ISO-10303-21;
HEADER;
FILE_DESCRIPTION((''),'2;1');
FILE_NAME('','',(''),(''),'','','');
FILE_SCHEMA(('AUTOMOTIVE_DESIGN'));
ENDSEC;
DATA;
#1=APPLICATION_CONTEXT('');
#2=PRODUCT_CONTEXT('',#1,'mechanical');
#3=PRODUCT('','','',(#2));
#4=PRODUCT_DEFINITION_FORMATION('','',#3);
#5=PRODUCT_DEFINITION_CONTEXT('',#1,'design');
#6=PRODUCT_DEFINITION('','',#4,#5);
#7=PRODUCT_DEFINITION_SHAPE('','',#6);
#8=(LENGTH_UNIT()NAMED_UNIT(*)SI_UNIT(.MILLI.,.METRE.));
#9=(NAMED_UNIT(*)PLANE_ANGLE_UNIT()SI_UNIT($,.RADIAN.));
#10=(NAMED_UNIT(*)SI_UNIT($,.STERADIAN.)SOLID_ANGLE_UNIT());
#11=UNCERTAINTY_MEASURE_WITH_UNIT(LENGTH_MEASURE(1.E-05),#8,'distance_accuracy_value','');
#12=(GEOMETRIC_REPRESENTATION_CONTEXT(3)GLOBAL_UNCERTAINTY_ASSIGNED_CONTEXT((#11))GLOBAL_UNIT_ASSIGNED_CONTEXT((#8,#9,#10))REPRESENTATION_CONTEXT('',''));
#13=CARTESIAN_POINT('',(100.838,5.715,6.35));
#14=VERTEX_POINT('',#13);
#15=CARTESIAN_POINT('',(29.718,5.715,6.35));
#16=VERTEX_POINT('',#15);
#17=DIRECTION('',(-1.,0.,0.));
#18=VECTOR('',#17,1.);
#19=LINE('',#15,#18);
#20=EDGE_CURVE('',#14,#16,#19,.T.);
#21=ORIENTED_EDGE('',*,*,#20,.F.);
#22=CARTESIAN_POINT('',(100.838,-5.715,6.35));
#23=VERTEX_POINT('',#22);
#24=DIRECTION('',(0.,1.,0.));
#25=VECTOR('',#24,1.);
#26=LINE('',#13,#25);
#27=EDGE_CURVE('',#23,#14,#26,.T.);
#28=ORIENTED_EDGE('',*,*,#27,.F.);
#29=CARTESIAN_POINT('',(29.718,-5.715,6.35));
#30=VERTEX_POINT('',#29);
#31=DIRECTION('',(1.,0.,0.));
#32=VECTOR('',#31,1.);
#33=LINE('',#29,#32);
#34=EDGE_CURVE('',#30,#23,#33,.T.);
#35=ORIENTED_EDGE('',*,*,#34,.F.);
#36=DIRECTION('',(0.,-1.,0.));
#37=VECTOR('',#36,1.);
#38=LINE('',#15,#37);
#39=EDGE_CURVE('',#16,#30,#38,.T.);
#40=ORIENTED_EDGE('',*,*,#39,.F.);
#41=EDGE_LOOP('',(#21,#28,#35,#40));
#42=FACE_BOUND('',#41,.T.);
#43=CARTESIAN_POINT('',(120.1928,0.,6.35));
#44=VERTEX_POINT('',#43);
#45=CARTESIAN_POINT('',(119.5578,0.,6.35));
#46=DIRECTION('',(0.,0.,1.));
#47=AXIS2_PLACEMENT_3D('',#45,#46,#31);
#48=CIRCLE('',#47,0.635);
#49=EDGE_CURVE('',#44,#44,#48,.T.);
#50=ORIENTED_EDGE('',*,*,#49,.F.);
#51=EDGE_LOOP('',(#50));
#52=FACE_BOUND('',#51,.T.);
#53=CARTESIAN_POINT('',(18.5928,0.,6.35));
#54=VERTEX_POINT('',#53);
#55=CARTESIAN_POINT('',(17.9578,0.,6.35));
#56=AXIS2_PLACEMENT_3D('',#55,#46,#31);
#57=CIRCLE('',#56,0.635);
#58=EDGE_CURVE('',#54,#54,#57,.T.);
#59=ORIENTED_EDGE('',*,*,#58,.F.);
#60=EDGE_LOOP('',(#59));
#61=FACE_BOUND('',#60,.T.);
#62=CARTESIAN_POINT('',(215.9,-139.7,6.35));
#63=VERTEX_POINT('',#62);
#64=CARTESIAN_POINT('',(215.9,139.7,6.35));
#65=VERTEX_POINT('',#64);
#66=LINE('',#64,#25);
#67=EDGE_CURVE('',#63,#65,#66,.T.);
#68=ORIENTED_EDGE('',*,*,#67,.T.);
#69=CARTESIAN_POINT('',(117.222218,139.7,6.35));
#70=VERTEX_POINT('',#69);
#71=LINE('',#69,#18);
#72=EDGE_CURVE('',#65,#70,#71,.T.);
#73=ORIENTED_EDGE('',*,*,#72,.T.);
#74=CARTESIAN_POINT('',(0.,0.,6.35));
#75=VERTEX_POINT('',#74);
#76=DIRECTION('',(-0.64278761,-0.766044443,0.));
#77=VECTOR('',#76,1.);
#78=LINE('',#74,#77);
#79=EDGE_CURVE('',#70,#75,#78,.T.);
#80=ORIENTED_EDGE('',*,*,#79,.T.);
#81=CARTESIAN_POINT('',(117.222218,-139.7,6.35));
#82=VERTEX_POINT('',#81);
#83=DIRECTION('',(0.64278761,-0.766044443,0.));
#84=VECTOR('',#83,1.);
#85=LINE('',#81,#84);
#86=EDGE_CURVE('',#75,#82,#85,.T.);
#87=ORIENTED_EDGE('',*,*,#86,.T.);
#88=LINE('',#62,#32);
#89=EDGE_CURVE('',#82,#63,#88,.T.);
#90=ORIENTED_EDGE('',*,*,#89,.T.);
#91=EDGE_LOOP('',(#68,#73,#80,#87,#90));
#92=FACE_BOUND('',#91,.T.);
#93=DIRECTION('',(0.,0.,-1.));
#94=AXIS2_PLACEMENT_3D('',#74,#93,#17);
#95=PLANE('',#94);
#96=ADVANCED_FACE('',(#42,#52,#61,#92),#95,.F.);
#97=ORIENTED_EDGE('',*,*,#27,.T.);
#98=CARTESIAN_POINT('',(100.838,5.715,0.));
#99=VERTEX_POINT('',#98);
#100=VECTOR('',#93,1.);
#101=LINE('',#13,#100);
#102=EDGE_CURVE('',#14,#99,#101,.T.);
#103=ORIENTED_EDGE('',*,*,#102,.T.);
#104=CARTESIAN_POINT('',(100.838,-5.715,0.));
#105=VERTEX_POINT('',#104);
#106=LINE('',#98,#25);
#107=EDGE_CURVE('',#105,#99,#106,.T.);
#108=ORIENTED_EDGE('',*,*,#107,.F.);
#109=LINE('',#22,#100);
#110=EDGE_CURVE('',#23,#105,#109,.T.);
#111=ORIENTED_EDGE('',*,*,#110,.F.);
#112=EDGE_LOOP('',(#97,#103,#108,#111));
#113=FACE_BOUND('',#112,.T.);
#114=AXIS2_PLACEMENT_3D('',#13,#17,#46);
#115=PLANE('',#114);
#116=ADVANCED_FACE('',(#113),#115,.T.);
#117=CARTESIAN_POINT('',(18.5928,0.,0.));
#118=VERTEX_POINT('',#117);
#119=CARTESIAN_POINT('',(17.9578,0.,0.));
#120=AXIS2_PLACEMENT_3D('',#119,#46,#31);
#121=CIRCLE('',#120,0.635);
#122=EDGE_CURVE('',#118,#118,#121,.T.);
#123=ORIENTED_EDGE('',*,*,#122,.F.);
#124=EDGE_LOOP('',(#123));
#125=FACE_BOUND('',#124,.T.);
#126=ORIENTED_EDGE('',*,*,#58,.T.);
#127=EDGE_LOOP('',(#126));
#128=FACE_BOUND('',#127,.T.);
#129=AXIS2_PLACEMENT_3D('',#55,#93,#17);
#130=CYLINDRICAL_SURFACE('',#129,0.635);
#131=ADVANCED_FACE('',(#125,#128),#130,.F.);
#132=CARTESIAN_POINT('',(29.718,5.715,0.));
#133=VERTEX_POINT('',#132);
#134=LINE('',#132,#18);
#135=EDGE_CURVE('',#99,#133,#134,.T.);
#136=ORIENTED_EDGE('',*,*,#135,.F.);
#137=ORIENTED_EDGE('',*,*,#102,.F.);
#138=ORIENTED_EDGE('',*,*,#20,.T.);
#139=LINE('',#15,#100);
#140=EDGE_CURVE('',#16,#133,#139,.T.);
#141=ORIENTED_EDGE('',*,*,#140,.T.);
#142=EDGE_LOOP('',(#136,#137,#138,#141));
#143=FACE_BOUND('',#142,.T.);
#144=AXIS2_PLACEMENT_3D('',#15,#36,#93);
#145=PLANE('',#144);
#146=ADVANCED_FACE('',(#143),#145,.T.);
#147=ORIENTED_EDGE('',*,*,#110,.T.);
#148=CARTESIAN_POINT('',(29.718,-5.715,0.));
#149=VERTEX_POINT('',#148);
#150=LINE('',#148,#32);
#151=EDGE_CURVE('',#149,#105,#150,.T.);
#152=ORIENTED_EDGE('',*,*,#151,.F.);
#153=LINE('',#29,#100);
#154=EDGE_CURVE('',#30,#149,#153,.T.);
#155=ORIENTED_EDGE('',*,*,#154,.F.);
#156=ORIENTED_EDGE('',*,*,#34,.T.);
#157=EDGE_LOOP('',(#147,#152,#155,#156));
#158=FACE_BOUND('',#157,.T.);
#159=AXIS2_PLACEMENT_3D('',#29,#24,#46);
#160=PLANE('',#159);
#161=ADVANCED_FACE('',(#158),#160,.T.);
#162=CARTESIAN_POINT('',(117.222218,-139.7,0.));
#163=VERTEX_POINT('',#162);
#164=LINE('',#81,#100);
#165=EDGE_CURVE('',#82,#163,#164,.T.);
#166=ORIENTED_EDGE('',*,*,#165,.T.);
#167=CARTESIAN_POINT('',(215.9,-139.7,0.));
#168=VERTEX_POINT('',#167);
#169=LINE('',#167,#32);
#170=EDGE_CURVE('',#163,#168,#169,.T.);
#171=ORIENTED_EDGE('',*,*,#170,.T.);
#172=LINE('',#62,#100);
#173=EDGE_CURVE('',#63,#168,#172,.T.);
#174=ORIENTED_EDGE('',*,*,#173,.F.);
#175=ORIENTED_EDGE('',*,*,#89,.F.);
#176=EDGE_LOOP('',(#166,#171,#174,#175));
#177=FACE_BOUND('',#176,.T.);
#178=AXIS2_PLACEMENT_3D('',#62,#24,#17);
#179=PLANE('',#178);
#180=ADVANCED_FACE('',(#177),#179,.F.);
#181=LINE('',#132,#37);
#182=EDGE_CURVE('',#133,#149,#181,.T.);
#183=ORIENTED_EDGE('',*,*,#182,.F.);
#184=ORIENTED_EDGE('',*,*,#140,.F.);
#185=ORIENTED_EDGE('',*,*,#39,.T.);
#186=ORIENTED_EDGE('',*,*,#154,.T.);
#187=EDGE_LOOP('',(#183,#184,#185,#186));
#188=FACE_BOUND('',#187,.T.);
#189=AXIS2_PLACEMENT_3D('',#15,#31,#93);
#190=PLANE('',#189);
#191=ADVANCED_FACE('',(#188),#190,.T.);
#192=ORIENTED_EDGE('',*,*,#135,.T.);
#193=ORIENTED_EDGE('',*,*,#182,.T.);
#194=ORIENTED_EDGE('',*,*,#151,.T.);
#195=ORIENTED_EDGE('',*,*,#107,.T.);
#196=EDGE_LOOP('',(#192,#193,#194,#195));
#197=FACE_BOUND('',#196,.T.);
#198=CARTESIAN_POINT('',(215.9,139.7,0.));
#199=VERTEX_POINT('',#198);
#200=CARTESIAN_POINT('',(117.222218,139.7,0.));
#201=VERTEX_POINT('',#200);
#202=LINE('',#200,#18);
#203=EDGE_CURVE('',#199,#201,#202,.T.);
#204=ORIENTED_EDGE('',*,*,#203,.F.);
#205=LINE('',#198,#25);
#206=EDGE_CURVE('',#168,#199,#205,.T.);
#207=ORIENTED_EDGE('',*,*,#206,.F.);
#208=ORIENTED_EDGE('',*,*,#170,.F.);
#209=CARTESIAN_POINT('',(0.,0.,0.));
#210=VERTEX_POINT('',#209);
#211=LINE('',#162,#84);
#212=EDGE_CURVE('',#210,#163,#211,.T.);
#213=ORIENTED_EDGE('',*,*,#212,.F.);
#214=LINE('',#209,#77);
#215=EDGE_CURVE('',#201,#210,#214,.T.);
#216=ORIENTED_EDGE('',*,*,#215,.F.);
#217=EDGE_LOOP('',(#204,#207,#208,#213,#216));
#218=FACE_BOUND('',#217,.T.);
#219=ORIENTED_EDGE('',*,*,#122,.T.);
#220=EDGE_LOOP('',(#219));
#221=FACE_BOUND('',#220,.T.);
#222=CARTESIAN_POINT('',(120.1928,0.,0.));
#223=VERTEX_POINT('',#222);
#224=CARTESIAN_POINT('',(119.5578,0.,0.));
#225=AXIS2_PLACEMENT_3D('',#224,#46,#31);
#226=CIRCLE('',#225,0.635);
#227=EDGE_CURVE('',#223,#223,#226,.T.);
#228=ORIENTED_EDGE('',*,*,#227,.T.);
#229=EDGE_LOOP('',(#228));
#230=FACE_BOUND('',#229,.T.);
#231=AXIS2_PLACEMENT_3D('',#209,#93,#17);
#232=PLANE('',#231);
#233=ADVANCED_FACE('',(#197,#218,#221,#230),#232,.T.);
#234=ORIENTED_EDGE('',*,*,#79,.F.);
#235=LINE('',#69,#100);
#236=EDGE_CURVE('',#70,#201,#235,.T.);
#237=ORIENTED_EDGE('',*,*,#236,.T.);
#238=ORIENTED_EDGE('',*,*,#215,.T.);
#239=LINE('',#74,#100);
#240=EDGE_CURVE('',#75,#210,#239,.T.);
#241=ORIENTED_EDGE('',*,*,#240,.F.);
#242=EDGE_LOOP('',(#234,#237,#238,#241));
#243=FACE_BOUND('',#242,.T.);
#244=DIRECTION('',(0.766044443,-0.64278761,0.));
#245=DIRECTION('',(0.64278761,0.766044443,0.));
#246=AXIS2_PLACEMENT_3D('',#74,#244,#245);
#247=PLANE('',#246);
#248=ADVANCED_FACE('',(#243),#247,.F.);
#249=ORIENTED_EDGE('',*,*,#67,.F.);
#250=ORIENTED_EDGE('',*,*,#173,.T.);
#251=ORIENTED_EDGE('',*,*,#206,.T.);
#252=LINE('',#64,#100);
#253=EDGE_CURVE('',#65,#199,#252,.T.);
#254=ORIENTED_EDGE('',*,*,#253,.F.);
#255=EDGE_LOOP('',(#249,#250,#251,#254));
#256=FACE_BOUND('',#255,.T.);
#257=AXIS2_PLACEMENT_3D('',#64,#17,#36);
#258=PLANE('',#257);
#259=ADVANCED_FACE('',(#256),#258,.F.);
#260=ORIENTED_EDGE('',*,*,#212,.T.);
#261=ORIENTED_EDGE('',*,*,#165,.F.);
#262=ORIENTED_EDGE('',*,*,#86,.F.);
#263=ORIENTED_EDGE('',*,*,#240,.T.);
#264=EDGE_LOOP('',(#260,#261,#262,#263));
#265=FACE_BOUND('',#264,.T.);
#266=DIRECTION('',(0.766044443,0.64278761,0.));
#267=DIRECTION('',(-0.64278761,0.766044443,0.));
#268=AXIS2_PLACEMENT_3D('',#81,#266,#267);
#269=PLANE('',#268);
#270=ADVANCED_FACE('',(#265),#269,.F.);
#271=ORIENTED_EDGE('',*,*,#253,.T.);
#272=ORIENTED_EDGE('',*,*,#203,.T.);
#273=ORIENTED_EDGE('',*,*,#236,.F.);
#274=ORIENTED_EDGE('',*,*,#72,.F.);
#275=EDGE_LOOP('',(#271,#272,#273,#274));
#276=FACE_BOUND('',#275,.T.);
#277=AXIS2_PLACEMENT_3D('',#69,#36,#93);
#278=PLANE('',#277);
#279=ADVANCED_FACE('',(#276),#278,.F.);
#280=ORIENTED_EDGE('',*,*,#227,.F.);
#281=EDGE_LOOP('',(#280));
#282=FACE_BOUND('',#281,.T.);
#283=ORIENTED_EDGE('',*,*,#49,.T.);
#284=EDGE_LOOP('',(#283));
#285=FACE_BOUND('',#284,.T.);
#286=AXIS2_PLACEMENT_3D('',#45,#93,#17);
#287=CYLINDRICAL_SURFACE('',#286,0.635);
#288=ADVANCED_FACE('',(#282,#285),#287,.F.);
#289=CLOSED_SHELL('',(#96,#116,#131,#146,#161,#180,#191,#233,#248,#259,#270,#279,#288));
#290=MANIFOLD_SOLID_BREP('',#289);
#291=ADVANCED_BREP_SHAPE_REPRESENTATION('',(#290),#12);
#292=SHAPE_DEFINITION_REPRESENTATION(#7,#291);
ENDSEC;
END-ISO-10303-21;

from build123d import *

# Parameters (mm, degrees)
BOSS_EXTRUDE1_DEPTH = 6.35
SKETCH4_W           = 71.12
SKETCH4_H           = 11.43
CUT_EXTRUDE1_DEPTH  = 258.233789577
SKETCH5_R           = 0.635
CUT_EXTRUDE2_DEPTH  = 258.233789577


with BuildPart() as part:
    # Sketch1 → Boss-Extrude1 (new body)
    with BuildSketch(Plane.XY):
        Polygon((215.9, 139.7), (215.9, -139.7), (117.222218475, -139.7), (0, 0), (117.222218475, 139.7), align=None)
    extrude(amount=BOSS_EXTRUDE1_DEPTH)

    # Sketch4 → Cut-Extrude1 (cut, through all)
    with BuildSketch(Plane.XY):
        with Locations((65.278, 0)):
            Rectangle(SKETCH4_W, SKETCH4_H)
    extrude(amount=CUT_EXTRUDE1_DEPTH, mode=Mode.SUBTRACT)

    # Sketch5 → Cut-Extrude2 (cut, through all)
    with BuildSketch(Plane.XY):
        with Locations((17.9578, 0)):
            Circle(SKETCH5_R)
        with Locations((119.5578, 0)):
            Circle(SKETCH5_R)
    extrude(amount=CUT_EXTRUDE2_DEPTH, mode=Mode.SUBTRACT)


solid = part.part
